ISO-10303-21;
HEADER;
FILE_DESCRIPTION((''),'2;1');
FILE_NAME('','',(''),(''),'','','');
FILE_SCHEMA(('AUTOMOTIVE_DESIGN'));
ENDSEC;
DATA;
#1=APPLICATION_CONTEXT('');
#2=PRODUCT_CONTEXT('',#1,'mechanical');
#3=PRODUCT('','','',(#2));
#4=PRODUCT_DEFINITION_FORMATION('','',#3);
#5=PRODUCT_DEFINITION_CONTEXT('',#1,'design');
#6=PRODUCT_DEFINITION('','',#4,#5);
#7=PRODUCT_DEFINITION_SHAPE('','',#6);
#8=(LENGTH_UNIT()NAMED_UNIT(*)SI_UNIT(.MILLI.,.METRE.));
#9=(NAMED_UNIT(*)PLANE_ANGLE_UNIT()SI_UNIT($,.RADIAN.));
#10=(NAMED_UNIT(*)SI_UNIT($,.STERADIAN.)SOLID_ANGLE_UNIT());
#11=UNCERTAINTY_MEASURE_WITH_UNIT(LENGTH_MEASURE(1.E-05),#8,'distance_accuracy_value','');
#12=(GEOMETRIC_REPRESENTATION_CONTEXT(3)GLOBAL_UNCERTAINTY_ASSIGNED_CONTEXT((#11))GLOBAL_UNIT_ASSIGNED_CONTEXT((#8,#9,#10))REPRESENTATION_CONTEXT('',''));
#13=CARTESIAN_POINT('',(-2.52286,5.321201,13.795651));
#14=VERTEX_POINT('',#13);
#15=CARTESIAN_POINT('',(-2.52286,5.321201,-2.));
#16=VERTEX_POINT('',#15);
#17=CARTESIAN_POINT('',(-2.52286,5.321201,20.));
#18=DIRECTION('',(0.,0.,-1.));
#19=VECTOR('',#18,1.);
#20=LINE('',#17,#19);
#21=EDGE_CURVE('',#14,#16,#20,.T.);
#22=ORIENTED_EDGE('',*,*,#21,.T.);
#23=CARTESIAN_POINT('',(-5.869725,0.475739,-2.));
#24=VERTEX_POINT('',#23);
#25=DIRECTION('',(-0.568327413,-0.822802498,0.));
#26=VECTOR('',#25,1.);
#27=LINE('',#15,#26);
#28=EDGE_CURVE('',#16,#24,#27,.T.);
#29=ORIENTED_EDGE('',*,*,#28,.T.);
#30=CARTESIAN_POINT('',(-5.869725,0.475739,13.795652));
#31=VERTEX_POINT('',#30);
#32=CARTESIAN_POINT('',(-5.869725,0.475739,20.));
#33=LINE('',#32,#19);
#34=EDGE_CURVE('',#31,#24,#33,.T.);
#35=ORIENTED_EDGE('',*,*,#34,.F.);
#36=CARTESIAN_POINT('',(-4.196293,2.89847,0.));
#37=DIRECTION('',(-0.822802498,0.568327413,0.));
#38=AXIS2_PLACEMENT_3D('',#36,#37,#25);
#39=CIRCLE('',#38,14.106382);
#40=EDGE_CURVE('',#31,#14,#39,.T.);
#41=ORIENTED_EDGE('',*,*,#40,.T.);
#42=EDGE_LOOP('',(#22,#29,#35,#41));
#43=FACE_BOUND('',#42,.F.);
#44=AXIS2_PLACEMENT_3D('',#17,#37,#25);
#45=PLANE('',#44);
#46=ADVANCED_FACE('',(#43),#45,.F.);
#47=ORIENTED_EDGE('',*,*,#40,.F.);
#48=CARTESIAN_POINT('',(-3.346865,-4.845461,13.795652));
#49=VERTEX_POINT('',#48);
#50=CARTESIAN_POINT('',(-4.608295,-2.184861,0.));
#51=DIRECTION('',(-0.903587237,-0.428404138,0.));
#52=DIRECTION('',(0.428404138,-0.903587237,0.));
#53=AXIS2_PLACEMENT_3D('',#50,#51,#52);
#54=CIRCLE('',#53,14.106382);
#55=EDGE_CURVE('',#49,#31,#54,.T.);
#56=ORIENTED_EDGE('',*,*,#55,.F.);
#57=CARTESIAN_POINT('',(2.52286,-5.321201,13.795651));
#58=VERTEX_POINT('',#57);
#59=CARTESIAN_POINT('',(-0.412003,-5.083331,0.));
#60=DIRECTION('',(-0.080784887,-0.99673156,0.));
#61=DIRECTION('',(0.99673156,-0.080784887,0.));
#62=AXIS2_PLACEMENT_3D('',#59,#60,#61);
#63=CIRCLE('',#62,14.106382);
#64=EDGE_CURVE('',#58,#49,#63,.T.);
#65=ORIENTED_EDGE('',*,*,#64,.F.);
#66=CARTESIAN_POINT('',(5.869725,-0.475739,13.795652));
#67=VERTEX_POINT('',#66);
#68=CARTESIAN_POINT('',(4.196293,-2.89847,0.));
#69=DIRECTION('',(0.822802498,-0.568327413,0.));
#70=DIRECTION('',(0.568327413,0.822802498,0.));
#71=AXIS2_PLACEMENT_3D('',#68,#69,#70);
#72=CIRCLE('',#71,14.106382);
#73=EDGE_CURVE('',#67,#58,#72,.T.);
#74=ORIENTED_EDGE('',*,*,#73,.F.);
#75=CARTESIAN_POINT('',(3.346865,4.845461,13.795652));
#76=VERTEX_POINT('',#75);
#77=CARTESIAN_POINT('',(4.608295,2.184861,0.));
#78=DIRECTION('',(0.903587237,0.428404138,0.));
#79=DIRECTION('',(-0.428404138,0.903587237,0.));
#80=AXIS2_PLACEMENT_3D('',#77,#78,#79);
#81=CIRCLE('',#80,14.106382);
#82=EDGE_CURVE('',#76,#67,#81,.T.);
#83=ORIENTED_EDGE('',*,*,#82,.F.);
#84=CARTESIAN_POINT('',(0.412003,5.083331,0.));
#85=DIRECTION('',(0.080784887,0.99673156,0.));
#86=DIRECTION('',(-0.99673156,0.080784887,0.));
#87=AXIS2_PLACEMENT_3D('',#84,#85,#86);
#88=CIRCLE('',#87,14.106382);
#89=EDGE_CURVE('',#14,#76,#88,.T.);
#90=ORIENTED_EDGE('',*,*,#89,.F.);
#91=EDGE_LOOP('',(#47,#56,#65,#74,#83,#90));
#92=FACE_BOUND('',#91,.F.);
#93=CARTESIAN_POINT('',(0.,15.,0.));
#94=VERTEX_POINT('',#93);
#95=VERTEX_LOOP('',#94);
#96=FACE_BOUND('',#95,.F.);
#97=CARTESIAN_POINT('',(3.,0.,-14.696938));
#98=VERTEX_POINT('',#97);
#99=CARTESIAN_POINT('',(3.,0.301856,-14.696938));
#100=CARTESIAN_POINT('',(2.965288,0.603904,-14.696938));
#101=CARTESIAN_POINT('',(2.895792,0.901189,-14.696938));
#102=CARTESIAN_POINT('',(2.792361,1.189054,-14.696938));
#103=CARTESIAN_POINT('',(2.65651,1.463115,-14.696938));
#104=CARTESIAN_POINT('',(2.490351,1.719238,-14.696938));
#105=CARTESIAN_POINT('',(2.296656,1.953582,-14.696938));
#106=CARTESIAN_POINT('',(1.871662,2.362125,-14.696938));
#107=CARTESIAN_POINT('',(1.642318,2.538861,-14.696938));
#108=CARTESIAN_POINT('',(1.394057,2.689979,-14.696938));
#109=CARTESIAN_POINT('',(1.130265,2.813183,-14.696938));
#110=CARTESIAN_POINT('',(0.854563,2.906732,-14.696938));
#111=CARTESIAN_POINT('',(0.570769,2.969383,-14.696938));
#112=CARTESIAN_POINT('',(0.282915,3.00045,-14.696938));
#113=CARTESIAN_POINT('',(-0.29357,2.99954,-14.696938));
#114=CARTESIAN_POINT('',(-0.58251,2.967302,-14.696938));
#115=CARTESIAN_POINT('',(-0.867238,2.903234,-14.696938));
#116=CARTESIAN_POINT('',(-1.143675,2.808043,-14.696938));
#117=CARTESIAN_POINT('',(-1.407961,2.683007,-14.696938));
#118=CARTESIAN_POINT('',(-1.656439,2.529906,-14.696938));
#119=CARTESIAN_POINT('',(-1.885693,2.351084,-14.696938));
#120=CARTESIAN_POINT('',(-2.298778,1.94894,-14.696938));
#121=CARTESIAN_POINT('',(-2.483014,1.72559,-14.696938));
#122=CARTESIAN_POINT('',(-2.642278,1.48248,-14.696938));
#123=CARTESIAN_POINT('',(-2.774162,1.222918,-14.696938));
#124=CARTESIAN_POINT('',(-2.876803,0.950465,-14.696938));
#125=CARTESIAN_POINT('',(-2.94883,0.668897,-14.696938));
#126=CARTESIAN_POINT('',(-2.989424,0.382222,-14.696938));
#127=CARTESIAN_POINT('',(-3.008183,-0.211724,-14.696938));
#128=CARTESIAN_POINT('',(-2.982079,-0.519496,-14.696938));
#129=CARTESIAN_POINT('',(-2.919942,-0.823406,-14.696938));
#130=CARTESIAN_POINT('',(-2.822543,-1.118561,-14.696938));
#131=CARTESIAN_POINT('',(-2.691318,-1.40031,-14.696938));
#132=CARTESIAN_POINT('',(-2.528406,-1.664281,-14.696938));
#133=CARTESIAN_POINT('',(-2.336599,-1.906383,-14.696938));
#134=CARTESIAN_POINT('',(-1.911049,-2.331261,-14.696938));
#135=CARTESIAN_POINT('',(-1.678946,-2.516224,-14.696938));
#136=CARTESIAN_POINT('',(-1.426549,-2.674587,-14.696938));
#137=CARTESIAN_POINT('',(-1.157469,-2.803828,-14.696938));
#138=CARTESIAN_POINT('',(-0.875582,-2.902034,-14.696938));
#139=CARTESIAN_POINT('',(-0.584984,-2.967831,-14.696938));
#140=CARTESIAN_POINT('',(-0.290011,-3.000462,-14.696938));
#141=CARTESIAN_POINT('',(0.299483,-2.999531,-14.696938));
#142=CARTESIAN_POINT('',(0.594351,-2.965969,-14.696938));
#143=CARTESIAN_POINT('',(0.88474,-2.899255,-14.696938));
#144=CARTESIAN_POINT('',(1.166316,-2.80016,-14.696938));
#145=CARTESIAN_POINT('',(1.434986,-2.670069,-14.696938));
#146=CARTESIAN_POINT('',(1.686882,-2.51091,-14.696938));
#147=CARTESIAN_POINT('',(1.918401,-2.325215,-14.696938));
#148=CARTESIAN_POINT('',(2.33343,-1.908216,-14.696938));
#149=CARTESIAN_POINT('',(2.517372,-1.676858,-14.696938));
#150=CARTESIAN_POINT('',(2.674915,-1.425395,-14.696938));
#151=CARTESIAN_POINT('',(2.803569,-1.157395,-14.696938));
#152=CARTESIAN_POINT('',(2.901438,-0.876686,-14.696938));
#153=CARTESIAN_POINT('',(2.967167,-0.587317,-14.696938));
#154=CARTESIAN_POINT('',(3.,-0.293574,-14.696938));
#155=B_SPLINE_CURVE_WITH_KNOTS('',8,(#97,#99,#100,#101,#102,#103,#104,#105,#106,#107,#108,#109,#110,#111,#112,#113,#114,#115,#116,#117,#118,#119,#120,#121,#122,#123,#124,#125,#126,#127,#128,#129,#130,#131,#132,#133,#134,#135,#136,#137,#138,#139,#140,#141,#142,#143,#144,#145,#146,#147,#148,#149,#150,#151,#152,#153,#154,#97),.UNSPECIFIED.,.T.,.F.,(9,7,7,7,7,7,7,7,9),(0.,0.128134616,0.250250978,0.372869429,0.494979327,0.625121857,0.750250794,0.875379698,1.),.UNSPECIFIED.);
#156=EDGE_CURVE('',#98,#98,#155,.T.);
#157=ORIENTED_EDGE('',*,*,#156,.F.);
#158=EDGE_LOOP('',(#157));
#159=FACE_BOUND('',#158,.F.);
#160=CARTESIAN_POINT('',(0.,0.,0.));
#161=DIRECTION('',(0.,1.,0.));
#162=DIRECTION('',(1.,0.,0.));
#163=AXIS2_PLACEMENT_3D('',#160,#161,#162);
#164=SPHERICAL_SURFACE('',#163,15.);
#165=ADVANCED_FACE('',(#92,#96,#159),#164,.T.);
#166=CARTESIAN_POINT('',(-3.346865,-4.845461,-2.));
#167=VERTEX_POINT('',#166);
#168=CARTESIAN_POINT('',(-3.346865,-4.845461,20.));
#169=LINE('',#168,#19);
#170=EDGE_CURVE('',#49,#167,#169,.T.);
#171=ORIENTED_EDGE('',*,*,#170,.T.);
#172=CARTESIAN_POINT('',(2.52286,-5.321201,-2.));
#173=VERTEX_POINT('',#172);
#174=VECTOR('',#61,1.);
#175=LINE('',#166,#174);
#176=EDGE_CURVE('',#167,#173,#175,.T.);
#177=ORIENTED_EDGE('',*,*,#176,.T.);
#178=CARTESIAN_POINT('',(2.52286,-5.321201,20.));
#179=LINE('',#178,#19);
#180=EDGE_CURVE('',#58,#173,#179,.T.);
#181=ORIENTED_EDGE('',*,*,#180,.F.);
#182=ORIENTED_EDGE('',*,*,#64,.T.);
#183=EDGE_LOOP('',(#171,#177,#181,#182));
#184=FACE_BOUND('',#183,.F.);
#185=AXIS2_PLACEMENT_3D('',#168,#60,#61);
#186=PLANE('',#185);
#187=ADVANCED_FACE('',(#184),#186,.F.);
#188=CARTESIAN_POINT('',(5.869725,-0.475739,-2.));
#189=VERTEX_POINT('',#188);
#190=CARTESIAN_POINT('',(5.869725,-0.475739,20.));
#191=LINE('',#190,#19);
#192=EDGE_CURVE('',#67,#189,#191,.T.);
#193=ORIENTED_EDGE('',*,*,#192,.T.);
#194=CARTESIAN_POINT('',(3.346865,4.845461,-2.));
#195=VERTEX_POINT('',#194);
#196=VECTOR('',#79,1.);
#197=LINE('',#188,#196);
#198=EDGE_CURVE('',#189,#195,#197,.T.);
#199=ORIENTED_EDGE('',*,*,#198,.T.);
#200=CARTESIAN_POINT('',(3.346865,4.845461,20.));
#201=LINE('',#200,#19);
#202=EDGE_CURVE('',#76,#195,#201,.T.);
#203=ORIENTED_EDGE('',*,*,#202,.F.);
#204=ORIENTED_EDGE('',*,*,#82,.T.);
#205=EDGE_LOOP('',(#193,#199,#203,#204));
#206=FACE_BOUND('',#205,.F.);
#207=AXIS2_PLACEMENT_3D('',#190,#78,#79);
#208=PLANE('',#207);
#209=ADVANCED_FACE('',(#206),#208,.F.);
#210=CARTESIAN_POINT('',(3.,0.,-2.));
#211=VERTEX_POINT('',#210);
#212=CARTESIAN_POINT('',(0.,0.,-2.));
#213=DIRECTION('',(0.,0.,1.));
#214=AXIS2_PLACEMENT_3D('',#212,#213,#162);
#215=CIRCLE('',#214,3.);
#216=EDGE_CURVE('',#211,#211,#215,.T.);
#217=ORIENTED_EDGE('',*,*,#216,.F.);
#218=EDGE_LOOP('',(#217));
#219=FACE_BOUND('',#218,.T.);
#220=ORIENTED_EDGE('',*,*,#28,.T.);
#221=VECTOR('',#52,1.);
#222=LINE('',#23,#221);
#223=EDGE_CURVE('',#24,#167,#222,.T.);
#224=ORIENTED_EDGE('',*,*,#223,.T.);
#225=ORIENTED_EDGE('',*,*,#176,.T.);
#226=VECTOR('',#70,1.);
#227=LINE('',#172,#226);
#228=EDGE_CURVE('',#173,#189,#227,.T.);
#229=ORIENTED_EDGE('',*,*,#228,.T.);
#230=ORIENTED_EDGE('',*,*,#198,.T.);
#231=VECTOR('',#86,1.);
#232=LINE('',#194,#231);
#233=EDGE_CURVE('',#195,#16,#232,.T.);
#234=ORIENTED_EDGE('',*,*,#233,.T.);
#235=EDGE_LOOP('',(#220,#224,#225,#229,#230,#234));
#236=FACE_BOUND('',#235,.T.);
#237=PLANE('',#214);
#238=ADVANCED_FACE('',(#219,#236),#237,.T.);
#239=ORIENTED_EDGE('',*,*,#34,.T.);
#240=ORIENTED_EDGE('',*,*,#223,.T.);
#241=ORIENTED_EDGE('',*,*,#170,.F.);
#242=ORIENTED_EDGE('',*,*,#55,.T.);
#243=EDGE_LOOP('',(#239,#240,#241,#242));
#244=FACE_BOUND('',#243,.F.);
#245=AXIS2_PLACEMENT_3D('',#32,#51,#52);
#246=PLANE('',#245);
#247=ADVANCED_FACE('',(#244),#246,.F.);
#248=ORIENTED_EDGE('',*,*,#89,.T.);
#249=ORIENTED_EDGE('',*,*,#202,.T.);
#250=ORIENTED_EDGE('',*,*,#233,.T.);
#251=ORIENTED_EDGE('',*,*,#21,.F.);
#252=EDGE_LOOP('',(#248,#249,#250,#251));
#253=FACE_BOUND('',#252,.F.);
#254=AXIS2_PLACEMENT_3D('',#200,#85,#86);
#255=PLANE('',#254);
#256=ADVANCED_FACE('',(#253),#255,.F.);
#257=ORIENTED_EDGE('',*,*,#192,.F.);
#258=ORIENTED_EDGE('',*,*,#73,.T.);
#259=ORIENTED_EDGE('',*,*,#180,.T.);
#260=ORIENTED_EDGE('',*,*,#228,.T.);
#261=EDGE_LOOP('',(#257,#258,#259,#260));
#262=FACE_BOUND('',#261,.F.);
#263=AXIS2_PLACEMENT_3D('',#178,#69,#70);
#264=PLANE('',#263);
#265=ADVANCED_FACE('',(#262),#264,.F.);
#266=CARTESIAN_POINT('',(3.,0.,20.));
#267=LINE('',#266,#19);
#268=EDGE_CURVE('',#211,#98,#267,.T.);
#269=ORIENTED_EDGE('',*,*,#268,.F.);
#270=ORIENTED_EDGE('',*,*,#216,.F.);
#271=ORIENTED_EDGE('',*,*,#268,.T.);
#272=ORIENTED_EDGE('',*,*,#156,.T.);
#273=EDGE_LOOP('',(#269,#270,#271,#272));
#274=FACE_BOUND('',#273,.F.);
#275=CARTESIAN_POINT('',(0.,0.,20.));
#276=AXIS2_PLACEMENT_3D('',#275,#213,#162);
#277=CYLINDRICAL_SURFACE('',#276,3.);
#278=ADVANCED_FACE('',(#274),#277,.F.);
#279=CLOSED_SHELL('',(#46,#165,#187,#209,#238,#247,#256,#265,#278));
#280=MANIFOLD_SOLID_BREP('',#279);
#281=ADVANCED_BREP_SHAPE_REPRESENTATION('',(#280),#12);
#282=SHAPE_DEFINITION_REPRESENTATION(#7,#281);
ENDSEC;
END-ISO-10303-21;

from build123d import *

# Parameters (mm, degrees)
F4_DEPTH = 22
F5_R     = 3
F6_DEPTH = 35.001


with BuildPart() as f1:
    # F0 (on Top) → F1 (revolve)
    with BuildSketch(Plane.XY):
        with BuildLine():
            ThreePointArc((0, -15), (15, 0), (0, 15))
            Line((0, 15), (0, -15))
        make_face()
    revolve(axis=Axis((0, 0, 0), (0, -1, 0)))

    # F3 (on offset) → F4 (cut)
    with BuildSketch(Plane.XY.offset(20)):
        Polygon((2.52286, -5.321201), (5.869725, -0.475739), (3.346865, 4.845461), (-2.52286, 5.321201), (-5.869725, 0.475739), (-3.346865, -4.845461), align=None)
    extrude(amount=-F4_DEPTH, mode=Mode.SUBTRACT)

    # F5 (on offset) → F6 (cut, through all)
    with BuildSketch(Plane.XY.offset(20)):
        Circle(F5_R)
    extrude(amount=-F6_DEPTH, mode=Mode.SUBTRACT)


solid = f1.part
